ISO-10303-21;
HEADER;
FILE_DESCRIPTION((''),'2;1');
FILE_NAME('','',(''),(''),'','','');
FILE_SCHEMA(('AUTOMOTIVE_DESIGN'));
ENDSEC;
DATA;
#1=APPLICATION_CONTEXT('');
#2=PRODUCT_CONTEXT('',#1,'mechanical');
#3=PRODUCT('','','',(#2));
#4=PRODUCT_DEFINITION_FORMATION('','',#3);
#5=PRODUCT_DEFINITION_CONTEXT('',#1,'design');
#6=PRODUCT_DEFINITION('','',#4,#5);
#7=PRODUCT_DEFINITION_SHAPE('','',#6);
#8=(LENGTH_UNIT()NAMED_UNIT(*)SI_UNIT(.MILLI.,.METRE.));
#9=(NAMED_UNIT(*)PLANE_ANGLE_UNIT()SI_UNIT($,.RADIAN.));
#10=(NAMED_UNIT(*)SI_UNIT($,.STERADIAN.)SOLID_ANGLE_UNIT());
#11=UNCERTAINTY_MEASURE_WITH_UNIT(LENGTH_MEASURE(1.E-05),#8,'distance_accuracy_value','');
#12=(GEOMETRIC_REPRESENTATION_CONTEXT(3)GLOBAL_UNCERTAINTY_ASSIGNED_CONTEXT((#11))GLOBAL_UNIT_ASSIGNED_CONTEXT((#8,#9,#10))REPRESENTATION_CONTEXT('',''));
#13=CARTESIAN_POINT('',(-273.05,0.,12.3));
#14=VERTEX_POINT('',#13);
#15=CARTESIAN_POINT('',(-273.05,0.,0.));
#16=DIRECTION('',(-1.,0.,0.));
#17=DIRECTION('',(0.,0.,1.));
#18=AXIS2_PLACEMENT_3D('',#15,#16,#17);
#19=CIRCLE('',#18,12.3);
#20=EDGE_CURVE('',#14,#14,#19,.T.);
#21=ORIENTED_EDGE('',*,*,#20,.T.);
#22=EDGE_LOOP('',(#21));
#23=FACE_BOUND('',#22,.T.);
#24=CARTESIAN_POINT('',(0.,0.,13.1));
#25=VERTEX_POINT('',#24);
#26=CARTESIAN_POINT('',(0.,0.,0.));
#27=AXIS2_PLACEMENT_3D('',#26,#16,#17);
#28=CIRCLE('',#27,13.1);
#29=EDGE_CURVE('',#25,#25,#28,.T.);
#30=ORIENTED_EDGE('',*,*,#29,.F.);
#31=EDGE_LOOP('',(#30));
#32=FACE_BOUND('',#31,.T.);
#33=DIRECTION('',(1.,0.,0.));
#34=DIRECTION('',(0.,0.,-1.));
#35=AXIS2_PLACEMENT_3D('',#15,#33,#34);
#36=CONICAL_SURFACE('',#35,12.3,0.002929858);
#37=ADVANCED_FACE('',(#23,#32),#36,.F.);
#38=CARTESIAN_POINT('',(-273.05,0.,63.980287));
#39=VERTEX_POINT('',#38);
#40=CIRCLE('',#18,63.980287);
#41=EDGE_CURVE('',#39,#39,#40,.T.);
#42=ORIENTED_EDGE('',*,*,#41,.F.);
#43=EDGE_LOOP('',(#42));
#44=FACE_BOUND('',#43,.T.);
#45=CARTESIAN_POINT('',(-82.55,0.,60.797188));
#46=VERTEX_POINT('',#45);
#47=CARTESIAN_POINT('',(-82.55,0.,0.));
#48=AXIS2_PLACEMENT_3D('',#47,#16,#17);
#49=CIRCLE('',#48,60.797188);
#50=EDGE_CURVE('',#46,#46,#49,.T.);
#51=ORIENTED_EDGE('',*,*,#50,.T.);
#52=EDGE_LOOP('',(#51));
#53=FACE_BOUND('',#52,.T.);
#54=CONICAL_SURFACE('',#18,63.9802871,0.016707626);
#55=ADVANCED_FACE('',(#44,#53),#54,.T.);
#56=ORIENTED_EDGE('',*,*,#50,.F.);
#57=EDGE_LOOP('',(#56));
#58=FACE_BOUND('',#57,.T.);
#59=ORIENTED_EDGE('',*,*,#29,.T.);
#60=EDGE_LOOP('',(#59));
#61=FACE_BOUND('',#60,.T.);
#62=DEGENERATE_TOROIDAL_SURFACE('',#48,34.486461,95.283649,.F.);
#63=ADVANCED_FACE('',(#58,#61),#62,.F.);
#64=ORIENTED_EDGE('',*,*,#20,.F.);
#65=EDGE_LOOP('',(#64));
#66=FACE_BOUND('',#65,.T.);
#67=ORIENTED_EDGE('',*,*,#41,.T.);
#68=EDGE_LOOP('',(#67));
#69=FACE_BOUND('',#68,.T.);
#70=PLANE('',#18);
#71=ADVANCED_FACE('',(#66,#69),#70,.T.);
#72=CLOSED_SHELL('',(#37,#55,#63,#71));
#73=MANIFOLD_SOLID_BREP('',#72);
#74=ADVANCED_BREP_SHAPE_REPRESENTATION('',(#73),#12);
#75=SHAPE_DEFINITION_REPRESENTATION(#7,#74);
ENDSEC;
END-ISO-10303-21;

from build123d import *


with BuildPart() as part:
    # Sketch1 → Revolve1 (revolve)
    with BuildSketch(Plane(origin=(0, 0, 0), x_dir=(1, 0, 0), z_dir=(0, 1, 0))):
        Polygon((-273.05, 63.9802871), (-273.05, 12.3), (-82.55, 12.858139535), (-82.55, 60.79718825), align=None)
        with BuildLine():
            Line((-82.55, 60.79718825), (-82.55, 12.858139535))
            Line((-82.55, 12.858139535), (0, 13.1))
            ThreePointArc((0, 13.1), (-34.880501715, 48.015616161), (-82.55, 60.79718825))
        make_face()
    revolve(axis=Axis((-491.53912206, 0, 0), (1, 0, 0)))


solid = part.part
